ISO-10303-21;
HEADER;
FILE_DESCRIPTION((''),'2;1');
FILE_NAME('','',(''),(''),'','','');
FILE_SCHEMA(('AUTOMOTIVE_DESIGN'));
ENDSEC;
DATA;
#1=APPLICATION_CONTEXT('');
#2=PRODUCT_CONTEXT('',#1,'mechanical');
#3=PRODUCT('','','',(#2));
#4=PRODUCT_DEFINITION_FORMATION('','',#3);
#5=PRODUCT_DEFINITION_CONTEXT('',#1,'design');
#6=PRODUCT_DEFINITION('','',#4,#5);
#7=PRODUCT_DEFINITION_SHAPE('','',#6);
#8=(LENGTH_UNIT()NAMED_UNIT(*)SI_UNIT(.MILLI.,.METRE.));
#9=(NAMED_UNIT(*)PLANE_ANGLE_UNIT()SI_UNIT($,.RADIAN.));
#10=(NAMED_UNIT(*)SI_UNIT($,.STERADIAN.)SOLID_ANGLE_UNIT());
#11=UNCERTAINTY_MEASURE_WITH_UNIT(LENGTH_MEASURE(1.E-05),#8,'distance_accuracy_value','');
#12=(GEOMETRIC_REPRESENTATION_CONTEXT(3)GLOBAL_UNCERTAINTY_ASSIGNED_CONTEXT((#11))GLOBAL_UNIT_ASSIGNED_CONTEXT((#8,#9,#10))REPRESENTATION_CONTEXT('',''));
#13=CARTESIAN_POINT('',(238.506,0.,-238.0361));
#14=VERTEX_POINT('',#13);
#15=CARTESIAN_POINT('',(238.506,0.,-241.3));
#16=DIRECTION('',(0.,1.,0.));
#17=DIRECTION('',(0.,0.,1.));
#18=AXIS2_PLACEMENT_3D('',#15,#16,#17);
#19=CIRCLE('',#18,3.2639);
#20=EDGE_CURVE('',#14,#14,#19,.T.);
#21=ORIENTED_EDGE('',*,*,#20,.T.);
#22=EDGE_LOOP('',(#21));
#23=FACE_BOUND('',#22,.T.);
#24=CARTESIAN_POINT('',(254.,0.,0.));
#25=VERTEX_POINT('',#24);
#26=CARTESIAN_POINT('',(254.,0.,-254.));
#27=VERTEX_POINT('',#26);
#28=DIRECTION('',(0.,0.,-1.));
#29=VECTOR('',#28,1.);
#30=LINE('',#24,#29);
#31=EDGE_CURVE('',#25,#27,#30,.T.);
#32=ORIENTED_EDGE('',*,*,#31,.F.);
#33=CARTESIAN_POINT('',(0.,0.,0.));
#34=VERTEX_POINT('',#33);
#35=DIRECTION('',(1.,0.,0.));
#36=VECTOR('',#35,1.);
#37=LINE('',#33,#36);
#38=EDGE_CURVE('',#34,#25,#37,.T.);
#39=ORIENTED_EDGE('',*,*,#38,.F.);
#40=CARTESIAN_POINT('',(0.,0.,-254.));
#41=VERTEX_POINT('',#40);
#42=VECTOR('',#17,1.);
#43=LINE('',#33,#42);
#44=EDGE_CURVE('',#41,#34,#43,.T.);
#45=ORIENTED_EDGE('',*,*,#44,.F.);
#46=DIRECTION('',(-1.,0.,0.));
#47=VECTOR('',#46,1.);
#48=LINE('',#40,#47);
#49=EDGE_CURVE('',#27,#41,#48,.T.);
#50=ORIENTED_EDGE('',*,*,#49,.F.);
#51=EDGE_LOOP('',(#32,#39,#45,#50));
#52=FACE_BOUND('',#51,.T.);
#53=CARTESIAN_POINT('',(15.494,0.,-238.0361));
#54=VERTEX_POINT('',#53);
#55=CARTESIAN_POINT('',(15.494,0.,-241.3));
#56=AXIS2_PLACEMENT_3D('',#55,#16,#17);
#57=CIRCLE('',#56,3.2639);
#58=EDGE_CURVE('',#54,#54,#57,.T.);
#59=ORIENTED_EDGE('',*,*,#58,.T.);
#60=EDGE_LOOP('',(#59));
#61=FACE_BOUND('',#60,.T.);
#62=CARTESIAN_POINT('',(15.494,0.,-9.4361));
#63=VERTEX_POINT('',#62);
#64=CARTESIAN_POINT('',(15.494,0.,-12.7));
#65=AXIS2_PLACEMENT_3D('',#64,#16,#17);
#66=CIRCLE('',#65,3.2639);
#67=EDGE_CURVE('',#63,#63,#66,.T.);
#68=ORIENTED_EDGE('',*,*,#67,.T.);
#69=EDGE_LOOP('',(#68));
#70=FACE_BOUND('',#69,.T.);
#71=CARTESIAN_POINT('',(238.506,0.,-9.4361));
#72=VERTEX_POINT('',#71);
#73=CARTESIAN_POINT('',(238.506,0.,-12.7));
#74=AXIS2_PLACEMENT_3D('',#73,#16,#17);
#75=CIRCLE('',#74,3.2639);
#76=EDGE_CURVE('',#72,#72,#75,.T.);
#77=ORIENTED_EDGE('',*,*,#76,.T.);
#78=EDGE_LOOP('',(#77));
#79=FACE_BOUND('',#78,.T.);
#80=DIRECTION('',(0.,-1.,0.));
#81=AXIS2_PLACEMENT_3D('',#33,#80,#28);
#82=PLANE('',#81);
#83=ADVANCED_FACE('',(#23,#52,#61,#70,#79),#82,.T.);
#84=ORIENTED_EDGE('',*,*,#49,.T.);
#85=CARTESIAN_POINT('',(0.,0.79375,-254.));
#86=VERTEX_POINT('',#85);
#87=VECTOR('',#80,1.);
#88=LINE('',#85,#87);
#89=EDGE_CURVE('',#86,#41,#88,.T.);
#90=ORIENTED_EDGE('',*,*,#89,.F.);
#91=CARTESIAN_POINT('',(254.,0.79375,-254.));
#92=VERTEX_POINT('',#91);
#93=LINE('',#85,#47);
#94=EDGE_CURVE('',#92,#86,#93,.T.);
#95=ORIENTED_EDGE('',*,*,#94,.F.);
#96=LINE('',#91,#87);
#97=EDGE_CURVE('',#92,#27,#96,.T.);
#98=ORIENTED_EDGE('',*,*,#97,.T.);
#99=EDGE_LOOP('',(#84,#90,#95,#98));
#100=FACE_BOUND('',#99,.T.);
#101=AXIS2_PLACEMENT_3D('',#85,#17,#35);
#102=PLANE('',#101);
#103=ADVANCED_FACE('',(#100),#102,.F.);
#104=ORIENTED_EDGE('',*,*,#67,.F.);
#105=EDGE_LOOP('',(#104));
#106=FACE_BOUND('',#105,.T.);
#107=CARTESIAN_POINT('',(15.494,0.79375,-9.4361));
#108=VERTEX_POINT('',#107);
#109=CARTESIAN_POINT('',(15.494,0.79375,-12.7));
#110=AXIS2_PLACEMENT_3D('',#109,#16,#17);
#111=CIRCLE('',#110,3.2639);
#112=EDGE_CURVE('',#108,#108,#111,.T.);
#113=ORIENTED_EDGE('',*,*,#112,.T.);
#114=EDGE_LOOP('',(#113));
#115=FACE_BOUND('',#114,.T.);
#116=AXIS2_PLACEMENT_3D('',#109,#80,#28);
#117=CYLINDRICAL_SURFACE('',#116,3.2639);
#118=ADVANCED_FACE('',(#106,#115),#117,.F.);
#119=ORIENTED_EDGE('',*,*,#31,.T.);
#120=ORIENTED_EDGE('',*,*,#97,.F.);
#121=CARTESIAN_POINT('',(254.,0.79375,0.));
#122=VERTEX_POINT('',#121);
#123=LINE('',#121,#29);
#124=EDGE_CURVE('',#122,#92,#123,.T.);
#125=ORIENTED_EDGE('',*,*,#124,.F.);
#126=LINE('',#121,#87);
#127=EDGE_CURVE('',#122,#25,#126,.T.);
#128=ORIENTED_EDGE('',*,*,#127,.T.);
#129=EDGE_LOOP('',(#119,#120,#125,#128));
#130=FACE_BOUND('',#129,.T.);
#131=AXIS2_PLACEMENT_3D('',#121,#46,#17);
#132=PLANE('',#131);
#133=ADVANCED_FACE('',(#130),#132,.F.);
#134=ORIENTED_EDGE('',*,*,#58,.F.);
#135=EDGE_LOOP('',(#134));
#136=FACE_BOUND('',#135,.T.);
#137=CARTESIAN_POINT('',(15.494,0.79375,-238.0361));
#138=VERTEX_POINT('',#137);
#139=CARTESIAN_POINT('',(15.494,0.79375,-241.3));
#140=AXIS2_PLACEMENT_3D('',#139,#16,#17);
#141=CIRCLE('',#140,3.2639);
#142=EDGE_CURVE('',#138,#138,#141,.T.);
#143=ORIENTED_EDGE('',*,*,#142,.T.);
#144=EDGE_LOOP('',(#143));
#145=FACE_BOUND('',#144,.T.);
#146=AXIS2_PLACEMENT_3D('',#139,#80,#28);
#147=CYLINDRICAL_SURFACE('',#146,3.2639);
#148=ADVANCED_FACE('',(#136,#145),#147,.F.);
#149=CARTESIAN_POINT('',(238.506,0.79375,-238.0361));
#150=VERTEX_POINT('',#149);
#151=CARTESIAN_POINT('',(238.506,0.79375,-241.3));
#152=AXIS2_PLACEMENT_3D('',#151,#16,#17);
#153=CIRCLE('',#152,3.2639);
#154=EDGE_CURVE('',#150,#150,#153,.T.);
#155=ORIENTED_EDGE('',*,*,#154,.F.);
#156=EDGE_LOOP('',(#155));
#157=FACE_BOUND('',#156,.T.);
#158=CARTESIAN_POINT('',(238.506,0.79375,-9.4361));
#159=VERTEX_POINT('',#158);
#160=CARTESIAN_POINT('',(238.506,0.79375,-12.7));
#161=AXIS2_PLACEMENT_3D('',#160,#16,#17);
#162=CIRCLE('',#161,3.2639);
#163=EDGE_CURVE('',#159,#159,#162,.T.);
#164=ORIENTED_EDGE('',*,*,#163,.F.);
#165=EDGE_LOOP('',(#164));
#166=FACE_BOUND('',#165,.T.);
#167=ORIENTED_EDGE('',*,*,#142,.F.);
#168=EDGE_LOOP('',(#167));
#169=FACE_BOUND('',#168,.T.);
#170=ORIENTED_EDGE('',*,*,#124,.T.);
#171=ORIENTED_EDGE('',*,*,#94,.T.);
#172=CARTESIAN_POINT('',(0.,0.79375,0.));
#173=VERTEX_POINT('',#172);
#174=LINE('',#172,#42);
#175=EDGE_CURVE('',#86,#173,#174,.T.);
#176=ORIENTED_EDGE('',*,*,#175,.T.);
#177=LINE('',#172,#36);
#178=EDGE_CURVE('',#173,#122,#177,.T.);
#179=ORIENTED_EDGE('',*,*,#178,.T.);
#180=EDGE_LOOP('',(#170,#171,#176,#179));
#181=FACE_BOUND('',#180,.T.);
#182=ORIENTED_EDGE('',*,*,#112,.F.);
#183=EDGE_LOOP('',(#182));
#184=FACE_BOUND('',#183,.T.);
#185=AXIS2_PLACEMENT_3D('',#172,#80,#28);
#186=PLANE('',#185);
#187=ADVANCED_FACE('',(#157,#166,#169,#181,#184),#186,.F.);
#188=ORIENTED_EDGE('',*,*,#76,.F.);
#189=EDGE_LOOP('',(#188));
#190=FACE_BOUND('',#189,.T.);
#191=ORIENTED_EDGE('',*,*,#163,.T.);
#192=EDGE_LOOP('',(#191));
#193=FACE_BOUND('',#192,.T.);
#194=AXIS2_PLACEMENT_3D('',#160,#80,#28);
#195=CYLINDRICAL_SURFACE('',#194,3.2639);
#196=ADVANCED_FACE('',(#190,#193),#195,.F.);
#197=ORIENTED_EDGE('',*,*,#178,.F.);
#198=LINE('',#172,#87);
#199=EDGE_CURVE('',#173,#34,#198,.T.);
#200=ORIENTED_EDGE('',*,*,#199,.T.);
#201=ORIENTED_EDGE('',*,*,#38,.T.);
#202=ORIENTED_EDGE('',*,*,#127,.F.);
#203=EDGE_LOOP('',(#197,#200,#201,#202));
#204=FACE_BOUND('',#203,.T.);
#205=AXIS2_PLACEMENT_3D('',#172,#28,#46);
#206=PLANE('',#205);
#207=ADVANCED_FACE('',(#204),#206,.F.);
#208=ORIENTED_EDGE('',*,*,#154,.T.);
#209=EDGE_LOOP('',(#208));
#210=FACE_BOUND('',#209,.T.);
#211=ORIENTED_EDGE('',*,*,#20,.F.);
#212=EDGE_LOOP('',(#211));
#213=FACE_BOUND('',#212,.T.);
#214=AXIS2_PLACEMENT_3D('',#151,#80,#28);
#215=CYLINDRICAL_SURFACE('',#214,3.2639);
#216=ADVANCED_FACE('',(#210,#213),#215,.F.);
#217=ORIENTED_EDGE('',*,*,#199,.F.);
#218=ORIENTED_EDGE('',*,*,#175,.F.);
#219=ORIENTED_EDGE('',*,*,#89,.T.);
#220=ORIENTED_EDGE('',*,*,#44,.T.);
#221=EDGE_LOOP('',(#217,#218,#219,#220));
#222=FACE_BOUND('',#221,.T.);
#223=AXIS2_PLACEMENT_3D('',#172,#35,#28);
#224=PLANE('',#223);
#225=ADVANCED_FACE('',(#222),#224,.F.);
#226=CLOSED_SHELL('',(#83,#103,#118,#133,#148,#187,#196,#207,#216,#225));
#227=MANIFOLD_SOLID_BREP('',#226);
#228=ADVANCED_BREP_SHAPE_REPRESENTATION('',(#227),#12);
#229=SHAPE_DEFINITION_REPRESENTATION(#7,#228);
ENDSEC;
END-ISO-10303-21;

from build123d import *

# Parameters (mm, degrees)
SKETCH1_W           = 254
SKETCH1_H           = 254
SKETCH1_R           = 3.2639
BOSS_EXTRUDE1_DEPTH = 0.79375


with BuildPart() as part:
    # Sketch1 → Boss-Extrude1 (new body)
    with BuildSketch(Plane(origin=(0, 0, 0), x_dir=(1, 0, 0), z_dir=(0, 1, 0))):
        with Locations((127, 127)):
            Rectangle(SKETCH1_W, SKETCH1_H)
        with Locations(Location((15.494, 241.3, 0), (0, 0, 270))):
            Circle(SKETCH1_R, mode=Mode.SUBTRACT)
        with Locations(Location((238.506, 241.3, 0), (0, 0, 270))):
            Circle(SKETCH1_R, mode=Mode.SUBTRACT)
        with Locations(Location((238.506, 12.7, 0), (0, 0, 270))):
            Circle(SKETCH1_R, mode=Mode.SUBTRACT)
        with Locations(Location((15.494, 12.7, 0), (0, 0, 270))):
            Circle(SKETCH1_R, mode=Mode.SUBTRACT)
    extrude(amount=BOSS_EXTRUDE1_DEPTH)


solid = part.part
